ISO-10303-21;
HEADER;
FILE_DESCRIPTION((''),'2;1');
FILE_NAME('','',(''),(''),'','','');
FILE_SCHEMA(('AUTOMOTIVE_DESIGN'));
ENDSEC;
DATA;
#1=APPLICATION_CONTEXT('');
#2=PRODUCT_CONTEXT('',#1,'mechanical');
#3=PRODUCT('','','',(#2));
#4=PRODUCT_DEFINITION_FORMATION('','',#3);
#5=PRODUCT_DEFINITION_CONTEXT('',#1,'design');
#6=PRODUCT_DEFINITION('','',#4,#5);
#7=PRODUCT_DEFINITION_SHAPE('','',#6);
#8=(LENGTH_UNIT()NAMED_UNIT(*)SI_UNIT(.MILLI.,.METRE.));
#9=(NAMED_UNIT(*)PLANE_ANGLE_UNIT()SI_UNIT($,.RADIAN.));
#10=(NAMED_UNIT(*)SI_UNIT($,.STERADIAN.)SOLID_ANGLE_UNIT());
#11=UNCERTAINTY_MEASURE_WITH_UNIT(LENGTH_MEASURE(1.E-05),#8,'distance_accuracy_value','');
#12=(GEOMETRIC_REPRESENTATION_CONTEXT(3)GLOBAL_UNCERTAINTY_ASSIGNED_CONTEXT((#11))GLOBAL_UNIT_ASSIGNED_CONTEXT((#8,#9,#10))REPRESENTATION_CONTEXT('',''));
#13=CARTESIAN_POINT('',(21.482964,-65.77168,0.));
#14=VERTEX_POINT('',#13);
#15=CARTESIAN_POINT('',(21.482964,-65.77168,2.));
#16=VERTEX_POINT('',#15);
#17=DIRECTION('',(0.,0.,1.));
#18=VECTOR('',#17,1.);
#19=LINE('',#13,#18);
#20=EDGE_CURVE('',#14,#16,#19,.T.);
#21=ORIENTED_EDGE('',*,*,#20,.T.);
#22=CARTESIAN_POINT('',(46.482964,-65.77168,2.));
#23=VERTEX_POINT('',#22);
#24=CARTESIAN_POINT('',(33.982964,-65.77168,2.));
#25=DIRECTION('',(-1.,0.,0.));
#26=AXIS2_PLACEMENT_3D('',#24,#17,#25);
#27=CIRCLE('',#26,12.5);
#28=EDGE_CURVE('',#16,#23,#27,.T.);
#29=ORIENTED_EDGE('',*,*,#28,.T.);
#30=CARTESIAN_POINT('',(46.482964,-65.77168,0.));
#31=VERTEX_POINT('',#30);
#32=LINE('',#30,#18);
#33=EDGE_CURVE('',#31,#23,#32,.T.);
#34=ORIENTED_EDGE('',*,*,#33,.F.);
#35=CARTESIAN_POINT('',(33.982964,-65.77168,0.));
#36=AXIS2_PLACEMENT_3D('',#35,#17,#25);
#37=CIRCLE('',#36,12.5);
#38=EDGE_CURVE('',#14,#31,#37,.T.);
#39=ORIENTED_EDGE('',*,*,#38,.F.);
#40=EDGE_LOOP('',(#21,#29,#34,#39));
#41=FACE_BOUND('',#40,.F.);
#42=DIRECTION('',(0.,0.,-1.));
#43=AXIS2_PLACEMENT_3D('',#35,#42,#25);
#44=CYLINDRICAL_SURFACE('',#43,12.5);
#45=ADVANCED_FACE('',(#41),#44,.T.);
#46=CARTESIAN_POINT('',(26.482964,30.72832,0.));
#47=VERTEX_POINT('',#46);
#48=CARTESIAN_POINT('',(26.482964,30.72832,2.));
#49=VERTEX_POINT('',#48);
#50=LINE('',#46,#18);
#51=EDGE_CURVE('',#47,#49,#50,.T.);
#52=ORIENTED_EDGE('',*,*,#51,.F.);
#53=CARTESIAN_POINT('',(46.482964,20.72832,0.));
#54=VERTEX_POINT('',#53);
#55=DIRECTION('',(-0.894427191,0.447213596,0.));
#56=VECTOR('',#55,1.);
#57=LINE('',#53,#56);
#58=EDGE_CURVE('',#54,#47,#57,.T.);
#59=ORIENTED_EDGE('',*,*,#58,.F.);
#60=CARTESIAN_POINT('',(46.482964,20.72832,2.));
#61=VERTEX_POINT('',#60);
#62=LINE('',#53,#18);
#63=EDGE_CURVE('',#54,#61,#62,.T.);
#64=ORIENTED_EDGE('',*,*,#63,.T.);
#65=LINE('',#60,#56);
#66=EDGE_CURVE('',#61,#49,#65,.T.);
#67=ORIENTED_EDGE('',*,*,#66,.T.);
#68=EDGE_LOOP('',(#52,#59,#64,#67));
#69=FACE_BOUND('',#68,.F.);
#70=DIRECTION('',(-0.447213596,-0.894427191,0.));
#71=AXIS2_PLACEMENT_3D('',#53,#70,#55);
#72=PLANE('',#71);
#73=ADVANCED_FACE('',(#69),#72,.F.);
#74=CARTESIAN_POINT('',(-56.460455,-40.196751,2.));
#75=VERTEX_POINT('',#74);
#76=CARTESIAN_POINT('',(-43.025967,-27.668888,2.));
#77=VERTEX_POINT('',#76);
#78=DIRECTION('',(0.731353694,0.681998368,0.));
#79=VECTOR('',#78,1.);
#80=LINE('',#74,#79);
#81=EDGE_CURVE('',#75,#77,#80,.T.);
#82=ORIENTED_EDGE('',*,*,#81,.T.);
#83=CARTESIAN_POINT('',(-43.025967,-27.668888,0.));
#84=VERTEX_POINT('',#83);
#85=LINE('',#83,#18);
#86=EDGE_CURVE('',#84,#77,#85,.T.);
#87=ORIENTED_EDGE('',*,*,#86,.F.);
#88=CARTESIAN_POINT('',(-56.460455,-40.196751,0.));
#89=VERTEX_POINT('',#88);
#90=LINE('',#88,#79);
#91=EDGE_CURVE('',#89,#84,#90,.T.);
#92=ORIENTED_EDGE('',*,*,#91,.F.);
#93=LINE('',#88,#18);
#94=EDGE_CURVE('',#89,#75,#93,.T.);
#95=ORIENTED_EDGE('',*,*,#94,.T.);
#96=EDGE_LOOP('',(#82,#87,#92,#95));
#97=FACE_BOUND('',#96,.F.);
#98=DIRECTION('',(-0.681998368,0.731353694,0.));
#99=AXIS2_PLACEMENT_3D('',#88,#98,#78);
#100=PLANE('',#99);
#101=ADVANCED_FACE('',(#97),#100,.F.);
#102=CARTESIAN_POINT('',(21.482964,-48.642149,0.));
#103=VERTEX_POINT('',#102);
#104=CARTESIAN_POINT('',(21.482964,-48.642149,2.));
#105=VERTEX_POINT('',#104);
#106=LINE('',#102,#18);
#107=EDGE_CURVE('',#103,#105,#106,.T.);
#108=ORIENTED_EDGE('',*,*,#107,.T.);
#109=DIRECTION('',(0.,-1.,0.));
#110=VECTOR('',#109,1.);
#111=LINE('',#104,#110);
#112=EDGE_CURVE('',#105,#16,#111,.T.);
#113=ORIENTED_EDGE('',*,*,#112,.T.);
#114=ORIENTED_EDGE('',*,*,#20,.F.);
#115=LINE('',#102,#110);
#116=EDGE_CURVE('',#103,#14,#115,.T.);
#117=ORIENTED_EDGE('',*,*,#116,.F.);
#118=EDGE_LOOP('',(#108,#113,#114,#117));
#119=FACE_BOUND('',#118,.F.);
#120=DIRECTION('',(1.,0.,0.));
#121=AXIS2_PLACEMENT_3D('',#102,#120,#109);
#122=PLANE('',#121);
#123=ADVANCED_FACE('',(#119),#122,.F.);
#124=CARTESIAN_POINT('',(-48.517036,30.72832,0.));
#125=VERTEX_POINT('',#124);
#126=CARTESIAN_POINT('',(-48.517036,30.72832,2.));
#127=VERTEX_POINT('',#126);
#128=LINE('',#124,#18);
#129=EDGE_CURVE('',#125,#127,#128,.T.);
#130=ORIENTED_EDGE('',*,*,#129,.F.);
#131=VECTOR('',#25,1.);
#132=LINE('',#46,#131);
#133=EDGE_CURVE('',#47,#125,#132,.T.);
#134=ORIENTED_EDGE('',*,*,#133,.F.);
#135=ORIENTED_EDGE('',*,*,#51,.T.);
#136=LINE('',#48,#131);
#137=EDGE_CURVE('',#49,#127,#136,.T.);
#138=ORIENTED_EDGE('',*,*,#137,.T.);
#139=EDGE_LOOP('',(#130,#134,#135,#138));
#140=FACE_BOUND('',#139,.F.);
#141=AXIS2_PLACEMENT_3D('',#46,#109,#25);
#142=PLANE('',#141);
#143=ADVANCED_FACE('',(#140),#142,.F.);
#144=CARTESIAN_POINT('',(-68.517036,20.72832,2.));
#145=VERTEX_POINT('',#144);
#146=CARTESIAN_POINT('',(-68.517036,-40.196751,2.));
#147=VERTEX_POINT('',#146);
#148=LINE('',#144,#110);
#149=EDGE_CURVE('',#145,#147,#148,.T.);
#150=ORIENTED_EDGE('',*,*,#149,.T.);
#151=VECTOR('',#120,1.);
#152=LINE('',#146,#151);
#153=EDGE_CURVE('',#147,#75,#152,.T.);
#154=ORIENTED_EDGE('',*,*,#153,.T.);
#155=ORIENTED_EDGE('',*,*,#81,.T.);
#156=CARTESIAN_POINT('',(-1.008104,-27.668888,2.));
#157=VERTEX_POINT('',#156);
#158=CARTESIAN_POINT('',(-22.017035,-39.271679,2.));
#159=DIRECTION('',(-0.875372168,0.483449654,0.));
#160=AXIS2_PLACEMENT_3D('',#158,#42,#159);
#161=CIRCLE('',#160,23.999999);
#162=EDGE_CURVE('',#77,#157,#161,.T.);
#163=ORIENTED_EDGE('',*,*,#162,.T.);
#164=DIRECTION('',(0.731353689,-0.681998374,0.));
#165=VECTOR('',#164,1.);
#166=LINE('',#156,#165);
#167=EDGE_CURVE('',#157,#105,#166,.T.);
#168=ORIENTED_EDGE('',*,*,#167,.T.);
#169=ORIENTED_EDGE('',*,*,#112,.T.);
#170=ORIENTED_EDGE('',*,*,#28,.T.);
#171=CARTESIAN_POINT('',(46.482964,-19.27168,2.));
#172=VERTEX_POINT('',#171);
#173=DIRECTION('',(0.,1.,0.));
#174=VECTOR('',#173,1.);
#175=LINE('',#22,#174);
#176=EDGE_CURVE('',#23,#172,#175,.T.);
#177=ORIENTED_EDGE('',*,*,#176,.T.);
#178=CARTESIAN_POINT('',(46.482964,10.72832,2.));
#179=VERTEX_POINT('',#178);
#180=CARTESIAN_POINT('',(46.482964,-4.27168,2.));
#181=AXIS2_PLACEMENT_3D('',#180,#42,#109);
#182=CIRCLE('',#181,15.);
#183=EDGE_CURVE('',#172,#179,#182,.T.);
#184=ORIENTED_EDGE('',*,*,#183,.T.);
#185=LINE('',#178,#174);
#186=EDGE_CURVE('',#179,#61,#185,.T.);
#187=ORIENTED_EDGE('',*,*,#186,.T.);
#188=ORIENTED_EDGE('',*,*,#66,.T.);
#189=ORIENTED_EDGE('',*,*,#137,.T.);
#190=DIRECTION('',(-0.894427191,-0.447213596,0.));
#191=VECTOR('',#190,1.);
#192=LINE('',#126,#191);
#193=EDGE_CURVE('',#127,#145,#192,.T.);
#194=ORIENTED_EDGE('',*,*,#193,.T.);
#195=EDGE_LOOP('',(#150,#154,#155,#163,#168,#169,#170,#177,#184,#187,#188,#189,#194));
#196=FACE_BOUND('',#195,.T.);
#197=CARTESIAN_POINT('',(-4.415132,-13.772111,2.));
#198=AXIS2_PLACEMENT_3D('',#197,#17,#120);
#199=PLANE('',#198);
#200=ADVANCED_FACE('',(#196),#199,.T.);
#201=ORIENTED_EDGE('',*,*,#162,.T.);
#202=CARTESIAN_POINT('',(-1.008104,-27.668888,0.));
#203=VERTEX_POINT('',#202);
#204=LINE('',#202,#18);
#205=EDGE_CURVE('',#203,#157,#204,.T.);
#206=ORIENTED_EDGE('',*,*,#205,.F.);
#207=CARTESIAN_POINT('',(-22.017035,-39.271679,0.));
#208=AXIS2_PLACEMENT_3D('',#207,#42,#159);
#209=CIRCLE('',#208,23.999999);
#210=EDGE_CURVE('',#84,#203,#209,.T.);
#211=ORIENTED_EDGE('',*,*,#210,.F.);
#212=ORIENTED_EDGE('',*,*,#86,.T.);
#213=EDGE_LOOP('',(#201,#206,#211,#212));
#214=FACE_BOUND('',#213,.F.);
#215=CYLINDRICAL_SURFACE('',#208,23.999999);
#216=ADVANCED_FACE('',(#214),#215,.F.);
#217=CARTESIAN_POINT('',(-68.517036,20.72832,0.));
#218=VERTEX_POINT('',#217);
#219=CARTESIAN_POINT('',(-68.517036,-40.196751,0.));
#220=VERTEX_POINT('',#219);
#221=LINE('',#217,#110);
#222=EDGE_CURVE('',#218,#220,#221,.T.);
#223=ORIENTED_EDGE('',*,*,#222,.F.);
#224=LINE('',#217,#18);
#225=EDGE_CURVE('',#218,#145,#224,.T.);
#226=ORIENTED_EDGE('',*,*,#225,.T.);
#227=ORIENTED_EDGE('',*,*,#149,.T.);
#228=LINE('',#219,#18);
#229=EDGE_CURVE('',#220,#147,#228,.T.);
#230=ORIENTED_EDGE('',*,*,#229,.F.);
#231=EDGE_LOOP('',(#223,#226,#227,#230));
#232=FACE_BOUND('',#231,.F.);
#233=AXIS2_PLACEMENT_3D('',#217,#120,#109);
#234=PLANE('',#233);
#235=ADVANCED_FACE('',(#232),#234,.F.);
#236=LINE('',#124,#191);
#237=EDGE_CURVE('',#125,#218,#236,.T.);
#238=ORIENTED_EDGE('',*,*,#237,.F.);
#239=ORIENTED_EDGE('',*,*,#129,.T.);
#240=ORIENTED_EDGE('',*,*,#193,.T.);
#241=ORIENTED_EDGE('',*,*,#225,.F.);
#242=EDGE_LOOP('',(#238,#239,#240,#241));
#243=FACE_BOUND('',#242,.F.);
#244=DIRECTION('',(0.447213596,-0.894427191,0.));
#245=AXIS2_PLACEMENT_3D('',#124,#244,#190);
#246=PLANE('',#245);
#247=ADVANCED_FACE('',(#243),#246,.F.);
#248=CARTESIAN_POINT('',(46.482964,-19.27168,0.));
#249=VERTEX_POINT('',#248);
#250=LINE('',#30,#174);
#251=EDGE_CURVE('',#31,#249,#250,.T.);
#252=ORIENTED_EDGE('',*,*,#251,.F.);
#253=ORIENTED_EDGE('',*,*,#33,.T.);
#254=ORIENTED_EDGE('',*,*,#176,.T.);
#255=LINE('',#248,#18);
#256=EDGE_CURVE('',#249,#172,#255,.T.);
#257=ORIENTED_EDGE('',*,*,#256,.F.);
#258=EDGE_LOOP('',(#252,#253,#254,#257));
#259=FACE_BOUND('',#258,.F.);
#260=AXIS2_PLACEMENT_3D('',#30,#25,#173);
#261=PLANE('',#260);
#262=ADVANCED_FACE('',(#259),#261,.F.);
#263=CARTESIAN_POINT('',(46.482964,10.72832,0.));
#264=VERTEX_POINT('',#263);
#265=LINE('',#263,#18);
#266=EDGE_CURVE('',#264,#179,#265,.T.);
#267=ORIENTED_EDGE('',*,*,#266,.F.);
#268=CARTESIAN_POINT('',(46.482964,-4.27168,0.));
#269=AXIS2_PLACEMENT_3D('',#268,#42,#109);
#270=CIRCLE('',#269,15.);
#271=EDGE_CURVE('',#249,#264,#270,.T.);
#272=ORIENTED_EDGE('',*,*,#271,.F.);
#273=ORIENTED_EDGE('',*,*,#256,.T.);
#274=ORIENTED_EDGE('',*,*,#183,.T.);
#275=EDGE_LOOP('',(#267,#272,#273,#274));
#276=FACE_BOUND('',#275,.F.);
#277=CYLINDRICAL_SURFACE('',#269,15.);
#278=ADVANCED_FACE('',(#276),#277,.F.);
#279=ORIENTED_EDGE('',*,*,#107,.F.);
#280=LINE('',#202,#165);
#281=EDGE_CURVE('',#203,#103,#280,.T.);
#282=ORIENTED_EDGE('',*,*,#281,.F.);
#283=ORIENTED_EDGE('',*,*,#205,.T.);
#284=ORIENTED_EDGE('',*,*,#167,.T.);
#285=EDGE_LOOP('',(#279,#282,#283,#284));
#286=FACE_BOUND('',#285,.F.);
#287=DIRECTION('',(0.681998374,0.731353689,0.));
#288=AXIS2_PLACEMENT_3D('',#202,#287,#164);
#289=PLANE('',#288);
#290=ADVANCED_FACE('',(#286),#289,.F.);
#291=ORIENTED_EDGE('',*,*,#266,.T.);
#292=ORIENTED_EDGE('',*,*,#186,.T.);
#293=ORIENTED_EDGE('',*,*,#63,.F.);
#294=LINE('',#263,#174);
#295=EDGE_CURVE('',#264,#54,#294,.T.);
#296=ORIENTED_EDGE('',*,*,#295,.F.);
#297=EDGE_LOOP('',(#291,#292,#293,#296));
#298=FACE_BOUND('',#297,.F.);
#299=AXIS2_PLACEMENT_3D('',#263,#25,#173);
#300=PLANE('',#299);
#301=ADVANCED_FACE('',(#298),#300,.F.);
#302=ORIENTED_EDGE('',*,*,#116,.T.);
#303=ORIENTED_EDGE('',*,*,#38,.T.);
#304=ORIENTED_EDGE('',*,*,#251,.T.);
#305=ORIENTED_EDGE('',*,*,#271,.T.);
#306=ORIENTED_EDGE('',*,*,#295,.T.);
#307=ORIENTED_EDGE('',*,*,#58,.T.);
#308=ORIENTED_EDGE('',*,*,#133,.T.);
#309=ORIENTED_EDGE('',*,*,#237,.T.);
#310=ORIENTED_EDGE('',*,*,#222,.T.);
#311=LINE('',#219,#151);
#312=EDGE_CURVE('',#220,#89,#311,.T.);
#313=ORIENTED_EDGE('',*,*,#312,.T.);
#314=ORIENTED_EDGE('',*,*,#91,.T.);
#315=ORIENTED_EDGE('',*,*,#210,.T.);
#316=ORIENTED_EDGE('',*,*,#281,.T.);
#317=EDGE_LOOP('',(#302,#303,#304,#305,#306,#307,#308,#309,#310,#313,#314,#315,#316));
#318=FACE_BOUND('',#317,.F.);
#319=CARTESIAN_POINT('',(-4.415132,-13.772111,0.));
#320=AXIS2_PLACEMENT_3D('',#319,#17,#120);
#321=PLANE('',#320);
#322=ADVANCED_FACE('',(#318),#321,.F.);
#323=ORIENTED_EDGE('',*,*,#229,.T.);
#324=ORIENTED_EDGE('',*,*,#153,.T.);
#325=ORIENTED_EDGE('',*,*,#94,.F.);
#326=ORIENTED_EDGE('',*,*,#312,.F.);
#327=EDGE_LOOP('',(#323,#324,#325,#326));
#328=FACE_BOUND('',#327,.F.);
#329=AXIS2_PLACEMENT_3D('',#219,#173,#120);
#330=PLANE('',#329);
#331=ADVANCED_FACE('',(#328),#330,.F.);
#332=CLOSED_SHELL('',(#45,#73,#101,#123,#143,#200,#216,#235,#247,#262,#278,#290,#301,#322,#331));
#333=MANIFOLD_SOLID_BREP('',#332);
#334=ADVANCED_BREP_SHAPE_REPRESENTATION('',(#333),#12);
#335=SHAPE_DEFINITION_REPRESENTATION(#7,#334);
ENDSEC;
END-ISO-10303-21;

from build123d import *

# Parameters (mm, degrees)
F1_DEPTH = 2


with BuildPart() as f1:
    # F0 (on Top) → F1 (new body)
    with BuildSketch(Plane.XY):
        with BuildLine():
            Line((26.482964, 30.72832), (-48.517036, 30.72832))
            Line((-48.517036, 30.72832), (-68.517036, 20.72832))
            Line((-68.517036, 20.72832), (-68.517036, -40.196751))
            Line((-68.517036, -40.196751), (-56.460455, -40.196751))
            Line((-56.460455, -40.196751), (-43.025967, -27.668888))
            ThreePointArc((-43.025967, -27.668888), (-22.017036, -15.27168), (-1.008104, -27.668888))
            Line((-1.008104, -27.668888), (21.482964, -48.642149))
            Line((21.482964, -48.642149), (21.482964, -65.77168))
            ThreePointArc((21.482964, -65.77168), (33.982964, -78.27168), (46.482964, -65.77168))
            Line((46.482964, -65.77168), (46.482964, -19.27168))
            ThreePointArc((46.482964, -19.27168), (31.482964, -4.27168), (46.482964, 10.72832))
            Line((46.482964, 10.72832), (46.482964, 20.72832))
            Line((46.482964, 20.72832), (26.482964, 30.72832))
        make_face()
    extrude(amount=F1_DEPTH)


solid = f1.part
